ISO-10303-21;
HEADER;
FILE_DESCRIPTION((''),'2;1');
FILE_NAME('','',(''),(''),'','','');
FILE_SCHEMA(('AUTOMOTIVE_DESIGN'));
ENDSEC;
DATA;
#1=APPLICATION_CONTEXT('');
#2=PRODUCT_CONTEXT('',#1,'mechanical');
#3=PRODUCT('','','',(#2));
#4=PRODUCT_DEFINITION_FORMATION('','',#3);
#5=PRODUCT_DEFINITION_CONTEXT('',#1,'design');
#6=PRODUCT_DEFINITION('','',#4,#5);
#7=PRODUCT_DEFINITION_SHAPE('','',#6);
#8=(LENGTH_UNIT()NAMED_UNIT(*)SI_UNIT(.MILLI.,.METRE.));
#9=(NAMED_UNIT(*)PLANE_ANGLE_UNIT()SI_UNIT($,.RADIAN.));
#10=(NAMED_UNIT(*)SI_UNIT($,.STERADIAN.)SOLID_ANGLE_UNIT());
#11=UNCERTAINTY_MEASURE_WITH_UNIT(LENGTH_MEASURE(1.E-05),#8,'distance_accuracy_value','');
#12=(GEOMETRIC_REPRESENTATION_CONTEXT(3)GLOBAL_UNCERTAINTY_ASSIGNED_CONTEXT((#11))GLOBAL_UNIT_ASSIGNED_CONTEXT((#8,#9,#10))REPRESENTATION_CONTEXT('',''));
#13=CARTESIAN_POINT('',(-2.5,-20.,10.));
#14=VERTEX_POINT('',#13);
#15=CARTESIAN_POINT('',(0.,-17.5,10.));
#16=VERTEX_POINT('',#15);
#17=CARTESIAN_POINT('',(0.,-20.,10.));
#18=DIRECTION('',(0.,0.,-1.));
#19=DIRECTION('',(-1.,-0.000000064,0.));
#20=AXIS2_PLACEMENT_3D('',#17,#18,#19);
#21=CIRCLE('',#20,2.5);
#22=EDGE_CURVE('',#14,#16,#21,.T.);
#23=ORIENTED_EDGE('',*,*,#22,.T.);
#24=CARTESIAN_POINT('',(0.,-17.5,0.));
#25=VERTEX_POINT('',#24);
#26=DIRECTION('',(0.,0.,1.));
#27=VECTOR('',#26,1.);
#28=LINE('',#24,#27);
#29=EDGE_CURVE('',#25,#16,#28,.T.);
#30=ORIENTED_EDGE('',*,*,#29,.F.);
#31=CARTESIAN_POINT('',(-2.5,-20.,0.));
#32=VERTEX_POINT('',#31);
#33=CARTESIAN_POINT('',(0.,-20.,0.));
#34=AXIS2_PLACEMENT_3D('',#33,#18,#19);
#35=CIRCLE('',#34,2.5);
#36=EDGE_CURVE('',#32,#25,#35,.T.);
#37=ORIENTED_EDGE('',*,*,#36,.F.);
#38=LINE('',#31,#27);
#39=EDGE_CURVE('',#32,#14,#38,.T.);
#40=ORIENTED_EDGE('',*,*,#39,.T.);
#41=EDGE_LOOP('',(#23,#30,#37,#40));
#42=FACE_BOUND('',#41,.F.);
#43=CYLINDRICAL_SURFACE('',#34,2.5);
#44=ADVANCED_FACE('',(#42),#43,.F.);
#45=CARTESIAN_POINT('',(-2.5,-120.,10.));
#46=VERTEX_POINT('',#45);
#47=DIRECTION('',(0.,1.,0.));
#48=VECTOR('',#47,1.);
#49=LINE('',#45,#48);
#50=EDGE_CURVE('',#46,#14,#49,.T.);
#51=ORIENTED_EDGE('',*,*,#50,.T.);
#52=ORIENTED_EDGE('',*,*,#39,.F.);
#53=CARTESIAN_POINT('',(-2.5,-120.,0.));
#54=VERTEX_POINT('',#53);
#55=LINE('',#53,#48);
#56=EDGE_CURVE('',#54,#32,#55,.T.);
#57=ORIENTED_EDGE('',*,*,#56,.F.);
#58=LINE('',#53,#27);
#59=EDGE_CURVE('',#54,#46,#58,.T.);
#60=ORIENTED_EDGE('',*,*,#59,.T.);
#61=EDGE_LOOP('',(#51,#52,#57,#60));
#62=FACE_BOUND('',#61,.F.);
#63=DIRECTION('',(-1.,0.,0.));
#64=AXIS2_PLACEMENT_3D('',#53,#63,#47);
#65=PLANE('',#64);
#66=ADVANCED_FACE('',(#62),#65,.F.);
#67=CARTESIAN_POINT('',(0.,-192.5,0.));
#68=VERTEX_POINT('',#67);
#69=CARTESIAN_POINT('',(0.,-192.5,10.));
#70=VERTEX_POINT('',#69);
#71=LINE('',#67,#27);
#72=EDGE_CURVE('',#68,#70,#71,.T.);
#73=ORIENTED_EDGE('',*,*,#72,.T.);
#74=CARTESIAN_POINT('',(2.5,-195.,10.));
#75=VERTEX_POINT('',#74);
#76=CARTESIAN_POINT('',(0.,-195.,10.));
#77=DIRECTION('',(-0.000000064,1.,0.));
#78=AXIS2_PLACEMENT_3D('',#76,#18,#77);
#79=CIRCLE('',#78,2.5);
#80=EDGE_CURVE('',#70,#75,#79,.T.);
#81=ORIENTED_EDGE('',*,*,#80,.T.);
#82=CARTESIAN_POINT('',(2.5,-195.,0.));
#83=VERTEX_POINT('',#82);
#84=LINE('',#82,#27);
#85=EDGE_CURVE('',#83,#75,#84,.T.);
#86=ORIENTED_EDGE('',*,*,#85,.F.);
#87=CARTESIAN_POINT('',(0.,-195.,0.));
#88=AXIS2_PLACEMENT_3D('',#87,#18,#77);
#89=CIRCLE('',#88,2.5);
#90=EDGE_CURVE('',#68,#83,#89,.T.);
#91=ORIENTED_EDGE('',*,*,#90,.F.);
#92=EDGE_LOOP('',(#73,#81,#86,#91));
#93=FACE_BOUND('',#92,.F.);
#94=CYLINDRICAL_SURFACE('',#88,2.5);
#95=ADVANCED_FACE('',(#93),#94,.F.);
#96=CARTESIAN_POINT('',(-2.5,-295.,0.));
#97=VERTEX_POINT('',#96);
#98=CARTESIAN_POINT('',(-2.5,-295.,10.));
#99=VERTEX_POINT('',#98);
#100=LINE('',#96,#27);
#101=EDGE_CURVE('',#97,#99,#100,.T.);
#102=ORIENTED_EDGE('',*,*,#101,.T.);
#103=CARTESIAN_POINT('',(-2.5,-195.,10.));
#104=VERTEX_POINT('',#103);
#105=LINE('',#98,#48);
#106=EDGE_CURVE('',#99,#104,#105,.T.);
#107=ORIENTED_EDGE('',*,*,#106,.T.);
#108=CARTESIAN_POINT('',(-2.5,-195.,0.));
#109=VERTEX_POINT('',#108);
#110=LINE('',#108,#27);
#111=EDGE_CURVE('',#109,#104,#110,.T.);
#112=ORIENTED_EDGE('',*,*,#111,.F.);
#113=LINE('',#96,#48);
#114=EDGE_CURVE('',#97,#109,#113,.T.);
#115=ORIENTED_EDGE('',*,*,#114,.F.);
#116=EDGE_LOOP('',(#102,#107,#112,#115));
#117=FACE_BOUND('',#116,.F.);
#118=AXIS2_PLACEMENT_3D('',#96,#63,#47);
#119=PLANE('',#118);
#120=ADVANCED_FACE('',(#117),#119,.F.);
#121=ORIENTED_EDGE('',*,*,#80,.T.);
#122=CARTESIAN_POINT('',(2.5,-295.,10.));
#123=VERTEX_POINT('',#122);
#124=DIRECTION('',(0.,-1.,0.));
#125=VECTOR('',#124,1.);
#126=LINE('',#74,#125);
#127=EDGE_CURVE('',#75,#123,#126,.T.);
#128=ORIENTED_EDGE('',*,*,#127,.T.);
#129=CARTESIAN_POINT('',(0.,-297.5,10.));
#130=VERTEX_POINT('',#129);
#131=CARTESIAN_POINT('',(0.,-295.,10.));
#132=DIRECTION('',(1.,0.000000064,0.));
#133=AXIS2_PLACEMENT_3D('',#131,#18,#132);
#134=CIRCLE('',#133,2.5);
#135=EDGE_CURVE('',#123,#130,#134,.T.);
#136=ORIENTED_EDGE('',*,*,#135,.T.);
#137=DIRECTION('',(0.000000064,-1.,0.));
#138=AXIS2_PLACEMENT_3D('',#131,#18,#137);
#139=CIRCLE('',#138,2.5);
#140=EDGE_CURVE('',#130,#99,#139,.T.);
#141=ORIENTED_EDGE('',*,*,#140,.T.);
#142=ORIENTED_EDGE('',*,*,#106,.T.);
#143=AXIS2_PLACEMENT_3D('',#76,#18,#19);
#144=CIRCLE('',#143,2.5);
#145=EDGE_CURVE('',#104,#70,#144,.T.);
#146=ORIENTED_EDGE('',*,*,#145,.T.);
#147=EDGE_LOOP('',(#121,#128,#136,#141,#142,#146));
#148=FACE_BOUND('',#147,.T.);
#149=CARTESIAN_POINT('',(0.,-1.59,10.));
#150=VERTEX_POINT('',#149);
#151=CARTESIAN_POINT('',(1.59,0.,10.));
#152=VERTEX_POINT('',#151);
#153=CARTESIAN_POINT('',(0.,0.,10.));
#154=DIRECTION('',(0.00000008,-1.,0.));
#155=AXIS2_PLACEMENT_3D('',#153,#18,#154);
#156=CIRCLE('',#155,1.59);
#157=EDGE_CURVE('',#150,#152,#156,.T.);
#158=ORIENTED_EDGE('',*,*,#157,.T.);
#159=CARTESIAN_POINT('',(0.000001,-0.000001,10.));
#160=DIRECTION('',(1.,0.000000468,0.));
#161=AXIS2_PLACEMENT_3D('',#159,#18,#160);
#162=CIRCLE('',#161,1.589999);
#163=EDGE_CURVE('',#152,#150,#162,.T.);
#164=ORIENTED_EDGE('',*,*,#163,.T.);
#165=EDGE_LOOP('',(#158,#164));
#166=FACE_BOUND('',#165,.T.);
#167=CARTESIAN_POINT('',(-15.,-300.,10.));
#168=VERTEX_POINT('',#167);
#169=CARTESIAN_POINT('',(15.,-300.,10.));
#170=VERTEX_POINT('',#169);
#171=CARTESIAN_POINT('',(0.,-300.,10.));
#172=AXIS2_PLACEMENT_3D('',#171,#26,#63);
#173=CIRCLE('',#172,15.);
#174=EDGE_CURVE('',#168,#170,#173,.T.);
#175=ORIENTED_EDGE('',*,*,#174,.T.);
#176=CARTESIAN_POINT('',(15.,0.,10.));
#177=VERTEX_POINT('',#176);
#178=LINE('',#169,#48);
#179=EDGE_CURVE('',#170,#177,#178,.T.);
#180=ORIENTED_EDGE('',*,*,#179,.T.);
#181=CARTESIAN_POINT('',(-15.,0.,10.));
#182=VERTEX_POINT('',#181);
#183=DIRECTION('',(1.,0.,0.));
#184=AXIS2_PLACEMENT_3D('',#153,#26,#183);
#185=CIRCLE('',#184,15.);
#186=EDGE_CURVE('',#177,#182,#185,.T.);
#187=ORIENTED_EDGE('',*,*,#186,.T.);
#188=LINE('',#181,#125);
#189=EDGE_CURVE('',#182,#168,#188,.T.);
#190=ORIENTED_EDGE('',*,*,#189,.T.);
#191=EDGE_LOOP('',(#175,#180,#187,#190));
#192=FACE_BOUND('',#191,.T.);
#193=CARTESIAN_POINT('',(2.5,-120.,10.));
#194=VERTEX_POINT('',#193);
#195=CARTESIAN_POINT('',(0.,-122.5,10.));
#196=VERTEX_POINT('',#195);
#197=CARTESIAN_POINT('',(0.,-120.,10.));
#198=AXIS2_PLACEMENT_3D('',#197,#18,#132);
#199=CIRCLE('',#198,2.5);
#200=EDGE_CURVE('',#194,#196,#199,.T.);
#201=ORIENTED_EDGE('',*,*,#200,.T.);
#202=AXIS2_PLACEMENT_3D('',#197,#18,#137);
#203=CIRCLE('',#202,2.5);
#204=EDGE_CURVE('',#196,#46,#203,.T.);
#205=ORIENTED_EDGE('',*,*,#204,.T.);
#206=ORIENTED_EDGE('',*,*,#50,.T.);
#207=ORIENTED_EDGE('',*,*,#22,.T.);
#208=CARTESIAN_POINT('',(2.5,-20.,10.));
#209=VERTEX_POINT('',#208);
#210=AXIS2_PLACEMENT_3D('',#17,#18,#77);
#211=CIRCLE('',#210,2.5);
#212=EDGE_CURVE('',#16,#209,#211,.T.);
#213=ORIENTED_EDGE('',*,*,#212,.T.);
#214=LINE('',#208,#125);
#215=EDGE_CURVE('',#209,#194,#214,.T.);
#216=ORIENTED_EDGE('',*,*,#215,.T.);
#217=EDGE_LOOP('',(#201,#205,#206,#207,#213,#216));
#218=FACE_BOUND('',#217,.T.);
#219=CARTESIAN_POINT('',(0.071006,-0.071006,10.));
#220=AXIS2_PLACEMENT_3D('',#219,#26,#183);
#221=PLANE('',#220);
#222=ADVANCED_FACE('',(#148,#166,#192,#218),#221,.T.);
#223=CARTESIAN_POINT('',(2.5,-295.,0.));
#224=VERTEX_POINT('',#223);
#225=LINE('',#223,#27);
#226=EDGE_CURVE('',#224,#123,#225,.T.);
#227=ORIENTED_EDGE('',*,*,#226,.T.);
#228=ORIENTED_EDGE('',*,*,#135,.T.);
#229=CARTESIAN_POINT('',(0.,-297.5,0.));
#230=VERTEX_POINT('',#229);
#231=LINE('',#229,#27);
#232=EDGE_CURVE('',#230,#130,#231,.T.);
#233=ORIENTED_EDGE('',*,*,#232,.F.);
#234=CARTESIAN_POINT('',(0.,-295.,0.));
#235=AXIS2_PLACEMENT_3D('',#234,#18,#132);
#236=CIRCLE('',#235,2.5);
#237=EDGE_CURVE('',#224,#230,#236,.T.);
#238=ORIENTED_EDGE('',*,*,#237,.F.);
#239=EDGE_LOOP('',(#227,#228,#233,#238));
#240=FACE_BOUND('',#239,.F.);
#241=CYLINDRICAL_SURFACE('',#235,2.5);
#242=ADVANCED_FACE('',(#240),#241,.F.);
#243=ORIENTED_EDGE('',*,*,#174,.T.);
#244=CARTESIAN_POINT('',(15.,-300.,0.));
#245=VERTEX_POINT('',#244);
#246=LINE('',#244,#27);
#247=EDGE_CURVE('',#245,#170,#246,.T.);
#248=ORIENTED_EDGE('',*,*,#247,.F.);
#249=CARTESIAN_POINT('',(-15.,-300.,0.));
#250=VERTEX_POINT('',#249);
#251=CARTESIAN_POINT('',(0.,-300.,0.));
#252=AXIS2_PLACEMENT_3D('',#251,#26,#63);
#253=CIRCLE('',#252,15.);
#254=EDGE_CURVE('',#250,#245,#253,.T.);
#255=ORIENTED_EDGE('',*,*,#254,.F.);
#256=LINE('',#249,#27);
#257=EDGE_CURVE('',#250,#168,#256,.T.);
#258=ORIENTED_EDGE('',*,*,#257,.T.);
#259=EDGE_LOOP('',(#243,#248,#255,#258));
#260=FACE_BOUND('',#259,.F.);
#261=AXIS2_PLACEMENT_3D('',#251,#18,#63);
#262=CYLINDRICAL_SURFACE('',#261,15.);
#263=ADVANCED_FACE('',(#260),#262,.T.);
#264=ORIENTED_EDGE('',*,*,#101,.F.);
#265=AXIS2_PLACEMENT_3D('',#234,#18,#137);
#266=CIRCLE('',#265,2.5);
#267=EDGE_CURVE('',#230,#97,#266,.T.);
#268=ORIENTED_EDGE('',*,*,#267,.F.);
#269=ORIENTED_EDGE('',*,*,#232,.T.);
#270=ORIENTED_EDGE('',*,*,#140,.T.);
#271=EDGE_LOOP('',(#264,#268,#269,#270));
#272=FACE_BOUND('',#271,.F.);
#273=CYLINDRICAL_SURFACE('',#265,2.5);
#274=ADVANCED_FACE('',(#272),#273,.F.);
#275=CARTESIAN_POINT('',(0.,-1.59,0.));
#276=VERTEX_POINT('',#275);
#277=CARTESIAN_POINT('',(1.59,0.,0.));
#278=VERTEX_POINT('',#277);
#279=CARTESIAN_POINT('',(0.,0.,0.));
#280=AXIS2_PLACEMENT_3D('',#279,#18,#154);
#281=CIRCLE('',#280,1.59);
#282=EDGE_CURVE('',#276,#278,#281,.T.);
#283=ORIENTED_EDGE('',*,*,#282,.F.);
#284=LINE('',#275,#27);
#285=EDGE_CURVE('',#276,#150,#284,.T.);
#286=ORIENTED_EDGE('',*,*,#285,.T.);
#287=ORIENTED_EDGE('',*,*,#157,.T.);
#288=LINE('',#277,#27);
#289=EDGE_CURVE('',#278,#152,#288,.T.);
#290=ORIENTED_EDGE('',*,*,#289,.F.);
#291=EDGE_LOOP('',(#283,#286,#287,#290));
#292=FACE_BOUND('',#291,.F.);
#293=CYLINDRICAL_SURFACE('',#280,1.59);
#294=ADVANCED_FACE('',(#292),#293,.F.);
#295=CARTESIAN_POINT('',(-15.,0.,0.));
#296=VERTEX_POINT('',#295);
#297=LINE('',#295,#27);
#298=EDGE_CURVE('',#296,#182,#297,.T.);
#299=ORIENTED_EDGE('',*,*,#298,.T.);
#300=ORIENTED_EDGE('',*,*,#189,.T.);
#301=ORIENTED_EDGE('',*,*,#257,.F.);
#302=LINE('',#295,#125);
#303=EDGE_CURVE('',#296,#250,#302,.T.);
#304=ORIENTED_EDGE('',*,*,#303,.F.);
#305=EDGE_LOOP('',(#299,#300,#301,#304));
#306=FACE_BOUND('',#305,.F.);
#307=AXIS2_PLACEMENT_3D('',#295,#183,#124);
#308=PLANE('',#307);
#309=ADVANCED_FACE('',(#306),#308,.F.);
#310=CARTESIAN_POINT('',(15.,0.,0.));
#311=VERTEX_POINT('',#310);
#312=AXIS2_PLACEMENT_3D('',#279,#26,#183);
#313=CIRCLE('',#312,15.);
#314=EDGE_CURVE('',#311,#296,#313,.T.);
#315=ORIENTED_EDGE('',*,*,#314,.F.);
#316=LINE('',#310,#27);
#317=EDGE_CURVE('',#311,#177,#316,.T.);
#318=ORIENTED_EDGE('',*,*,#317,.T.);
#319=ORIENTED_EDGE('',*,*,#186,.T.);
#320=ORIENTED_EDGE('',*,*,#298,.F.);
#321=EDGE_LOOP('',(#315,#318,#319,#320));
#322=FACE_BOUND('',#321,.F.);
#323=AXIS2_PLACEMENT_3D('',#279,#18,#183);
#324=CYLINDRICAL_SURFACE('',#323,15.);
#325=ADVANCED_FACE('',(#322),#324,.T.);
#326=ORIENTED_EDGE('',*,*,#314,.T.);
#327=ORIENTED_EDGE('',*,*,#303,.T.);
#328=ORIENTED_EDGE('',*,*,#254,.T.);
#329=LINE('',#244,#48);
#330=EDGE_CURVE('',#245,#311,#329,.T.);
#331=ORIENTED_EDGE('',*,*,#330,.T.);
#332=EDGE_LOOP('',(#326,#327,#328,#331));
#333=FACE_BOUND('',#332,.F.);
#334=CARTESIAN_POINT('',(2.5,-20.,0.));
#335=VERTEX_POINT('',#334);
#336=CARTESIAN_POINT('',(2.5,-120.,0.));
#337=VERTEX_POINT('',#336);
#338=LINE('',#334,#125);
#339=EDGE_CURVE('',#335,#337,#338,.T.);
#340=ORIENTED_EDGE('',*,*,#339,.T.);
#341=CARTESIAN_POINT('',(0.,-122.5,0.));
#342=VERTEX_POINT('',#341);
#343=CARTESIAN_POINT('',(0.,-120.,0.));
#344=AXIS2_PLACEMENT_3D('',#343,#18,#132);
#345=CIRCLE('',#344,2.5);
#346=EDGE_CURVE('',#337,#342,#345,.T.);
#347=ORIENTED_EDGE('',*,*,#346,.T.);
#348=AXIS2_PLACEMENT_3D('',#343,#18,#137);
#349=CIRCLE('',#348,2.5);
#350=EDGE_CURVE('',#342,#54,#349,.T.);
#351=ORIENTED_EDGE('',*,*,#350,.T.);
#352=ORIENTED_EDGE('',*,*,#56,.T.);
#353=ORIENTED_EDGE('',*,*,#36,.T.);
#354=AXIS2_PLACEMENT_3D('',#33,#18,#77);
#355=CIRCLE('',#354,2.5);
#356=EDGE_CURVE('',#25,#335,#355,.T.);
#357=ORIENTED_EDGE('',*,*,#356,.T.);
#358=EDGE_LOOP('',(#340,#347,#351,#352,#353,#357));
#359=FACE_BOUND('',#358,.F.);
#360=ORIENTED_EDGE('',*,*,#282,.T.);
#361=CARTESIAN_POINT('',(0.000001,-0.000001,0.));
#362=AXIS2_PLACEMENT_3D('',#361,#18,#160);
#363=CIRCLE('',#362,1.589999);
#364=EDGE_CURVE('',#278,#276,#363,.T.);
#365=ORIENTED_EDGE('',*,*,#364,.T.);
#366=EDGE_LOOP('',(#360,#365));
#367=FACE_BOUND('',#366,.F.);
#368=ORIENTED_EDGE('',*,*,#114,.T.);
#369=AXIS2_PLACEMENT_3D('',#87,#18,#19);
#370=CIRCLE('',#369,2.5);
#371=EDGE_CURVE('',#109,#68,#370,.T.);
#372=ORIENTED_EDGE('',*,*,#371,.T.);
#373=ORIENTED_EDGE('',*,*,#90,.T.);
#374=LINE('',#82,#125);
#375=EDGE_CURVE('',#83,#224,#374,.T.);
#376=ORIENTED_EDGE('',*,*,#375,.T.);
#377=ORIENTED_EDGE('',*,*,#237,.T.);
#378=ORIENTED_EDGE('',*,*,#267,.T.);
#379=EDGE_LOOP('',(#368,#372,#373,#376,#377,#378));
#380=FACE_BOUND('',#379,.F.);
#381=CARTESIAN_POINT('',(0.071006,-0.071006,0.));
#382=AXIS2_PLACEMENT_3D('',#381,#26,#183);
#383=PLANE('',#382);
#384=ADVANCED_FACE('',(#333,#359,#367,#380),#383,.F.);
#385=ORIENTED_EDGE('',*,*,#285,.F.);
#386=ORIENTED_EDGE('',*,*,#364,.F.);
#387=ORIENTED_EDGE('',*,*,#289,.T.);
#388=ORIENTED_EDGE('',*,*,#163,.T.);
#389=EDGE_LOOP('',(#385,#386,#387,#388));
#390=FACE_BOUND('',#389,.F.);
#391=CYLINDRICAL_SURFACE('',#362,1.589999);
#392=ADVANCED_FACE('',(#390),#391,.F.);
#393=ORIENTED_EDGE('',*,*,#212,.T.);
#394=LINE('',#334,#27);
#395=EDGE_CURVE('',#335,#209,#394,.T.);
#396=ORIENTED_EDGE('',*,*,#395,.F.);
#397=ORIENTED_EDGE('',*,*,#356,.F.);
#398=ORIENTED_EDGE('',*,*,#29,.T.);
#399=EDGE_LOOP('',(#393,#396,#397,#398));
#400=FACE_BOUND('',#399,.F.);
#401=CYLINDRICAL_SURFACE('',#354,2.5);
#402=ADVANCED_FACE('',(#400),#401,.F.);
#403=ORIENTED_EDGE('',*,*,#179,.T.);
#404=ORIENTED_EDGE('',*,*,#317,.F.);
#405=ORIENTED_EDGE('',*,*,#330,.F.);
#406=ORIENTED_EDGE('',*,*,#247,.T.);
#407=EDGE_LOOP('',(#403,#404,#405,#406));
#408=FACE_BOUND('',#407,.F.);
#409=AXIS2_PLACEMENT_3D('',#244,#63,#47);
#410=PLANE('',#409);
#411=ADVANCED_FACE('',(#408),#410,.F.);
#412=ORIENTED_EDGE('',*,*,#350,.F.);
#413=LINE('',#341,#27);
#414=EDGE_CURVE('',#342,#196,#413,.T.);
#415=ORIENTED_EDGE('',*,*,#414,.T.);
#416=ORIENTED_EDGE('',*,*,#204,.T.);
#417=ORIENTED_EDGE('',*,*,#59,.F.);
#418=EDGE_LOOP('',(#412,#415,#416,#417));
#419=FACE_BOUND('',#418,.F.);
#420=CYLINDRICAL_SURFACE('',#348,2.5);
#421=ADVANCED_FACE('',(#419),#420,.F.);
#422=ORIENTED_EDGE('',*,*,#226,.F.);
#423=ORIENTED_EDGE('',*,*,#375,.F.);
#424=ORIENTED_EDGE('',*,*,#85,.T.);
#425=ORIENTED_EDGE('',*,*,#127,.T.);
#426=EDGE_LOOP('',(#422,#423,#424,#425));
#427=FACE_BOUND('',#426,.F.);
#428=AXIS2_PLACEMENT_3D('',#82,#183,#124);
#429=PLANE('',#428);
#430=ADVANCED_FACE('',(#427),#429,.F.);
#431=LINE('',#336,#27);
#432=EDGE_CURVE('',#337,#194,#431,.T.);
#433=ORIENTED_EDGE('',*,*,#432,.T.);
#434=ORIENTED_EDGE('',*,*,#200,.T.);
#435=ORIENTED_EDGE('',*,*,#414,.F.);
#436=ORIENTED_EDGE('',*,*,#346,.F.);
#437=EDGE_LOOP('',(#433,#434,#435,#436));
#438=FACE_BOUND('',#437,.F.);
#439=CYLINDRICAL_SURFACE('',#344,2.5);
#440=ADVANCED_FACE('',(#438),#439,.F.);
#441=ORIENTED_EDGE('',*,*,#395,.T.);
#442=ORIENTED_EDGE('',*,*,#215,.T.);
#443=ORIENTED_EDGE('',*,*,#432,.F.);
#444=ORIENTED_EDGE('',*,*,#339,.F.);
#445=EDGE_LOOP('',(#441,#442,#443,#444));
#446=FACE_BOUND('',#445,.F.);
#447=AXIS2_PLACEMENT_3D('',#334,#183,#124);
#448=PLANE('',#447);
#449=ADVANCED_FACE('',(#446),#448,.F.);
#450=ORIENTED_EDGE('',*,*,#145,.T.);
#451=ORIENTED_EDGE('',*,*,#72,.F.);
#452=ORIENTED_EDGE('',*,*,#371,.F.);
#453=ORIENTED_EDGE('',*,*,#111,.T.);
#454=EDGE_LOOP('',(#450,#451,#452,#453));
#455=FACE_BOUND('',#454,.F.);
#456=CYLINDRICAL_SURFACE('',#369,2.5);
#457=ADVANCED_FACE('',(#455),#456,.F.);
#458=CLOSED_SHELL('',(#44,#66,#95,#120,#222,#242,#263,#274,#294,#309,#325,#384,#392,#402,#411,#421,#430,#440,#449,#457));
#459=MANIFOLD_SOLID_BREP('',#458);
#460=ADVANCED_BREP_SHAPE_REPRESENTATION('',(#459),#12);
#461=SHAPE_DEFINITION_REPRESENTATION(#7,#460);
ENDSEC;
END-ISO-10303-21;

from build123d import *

# Parameters (mm, degrees)
F1_DEPTH = 10


with BuildPart() as f1:
    # F0 (on Top) → F1 (new body)
    with BuildSketch(Plane.XY):
        with BuildLine():
            ThreePointArc((1.59, 0), (-1.1243, 1.1243), (0, -1.59))
            ThreePointArc((0, -1.59), (1.1243, -1.1243), (1.59, 0))
        make_face()
        with BuildLine():
            ThreePointArc((15, 0), (0, 15), (-15, 0))
            Line((-15, 0), (-15, -300))
            ThreePointArc((-15, -300), (0, -315), (15, -300))
            Line((15, -300), (15, 0))
        make_face()
        with BuildLine():
            ThreePointArc((-2.5, -195), (-1.767767, -193.232233), (0, -192.5))
            ThreePointArc((0, -192.5), (1.767767, -193.232233), (2.5, -195))
            Line((2.5, -195), (2.5, -295))
            ThreePointArc((2.5, -295), (1.767767, -296.767767), (0, -297.5))
            ThreePointArc((0, -297.5), (-1.767767, -296.767767), (-2.5, -295))
            Line((-2.5, -295), (-2.5, -195))
        make_face(mode=Mode.SUBTRACT)
        with BuildLine():
            ThreePointArc((-2.5, -20), (-1.767767, -18.232233), (0, -17.5))
            ThreePointArc((0, -17.5), (1.767767, -18.232233), (2.5, -20))
            Line((2.5, -20), (2.5, -120))
            ThreePointArc((2.5, -120), (1.767767, -121.767767), (0, -122.5))
            ThreePointArc((0, -122.5), (-1.767767, -121.767767), (-2.5, -120))
            Line((-2.5, -120), (-2.5, -20))
        make_face(mode=Mode.SUBTRACT)
        with BuildLine():
            ThreePointArc((1.59, 0), (1.1243, -1.1243), (0, -1.59))
            ThreePointArc((0, -1.59), (-1.1243, 1.1243), (1.59, 0))
        make_face(mode=Mode.SUBTRACT)
    extrude(amount=F1_DEPTH)


solid = f1.part
